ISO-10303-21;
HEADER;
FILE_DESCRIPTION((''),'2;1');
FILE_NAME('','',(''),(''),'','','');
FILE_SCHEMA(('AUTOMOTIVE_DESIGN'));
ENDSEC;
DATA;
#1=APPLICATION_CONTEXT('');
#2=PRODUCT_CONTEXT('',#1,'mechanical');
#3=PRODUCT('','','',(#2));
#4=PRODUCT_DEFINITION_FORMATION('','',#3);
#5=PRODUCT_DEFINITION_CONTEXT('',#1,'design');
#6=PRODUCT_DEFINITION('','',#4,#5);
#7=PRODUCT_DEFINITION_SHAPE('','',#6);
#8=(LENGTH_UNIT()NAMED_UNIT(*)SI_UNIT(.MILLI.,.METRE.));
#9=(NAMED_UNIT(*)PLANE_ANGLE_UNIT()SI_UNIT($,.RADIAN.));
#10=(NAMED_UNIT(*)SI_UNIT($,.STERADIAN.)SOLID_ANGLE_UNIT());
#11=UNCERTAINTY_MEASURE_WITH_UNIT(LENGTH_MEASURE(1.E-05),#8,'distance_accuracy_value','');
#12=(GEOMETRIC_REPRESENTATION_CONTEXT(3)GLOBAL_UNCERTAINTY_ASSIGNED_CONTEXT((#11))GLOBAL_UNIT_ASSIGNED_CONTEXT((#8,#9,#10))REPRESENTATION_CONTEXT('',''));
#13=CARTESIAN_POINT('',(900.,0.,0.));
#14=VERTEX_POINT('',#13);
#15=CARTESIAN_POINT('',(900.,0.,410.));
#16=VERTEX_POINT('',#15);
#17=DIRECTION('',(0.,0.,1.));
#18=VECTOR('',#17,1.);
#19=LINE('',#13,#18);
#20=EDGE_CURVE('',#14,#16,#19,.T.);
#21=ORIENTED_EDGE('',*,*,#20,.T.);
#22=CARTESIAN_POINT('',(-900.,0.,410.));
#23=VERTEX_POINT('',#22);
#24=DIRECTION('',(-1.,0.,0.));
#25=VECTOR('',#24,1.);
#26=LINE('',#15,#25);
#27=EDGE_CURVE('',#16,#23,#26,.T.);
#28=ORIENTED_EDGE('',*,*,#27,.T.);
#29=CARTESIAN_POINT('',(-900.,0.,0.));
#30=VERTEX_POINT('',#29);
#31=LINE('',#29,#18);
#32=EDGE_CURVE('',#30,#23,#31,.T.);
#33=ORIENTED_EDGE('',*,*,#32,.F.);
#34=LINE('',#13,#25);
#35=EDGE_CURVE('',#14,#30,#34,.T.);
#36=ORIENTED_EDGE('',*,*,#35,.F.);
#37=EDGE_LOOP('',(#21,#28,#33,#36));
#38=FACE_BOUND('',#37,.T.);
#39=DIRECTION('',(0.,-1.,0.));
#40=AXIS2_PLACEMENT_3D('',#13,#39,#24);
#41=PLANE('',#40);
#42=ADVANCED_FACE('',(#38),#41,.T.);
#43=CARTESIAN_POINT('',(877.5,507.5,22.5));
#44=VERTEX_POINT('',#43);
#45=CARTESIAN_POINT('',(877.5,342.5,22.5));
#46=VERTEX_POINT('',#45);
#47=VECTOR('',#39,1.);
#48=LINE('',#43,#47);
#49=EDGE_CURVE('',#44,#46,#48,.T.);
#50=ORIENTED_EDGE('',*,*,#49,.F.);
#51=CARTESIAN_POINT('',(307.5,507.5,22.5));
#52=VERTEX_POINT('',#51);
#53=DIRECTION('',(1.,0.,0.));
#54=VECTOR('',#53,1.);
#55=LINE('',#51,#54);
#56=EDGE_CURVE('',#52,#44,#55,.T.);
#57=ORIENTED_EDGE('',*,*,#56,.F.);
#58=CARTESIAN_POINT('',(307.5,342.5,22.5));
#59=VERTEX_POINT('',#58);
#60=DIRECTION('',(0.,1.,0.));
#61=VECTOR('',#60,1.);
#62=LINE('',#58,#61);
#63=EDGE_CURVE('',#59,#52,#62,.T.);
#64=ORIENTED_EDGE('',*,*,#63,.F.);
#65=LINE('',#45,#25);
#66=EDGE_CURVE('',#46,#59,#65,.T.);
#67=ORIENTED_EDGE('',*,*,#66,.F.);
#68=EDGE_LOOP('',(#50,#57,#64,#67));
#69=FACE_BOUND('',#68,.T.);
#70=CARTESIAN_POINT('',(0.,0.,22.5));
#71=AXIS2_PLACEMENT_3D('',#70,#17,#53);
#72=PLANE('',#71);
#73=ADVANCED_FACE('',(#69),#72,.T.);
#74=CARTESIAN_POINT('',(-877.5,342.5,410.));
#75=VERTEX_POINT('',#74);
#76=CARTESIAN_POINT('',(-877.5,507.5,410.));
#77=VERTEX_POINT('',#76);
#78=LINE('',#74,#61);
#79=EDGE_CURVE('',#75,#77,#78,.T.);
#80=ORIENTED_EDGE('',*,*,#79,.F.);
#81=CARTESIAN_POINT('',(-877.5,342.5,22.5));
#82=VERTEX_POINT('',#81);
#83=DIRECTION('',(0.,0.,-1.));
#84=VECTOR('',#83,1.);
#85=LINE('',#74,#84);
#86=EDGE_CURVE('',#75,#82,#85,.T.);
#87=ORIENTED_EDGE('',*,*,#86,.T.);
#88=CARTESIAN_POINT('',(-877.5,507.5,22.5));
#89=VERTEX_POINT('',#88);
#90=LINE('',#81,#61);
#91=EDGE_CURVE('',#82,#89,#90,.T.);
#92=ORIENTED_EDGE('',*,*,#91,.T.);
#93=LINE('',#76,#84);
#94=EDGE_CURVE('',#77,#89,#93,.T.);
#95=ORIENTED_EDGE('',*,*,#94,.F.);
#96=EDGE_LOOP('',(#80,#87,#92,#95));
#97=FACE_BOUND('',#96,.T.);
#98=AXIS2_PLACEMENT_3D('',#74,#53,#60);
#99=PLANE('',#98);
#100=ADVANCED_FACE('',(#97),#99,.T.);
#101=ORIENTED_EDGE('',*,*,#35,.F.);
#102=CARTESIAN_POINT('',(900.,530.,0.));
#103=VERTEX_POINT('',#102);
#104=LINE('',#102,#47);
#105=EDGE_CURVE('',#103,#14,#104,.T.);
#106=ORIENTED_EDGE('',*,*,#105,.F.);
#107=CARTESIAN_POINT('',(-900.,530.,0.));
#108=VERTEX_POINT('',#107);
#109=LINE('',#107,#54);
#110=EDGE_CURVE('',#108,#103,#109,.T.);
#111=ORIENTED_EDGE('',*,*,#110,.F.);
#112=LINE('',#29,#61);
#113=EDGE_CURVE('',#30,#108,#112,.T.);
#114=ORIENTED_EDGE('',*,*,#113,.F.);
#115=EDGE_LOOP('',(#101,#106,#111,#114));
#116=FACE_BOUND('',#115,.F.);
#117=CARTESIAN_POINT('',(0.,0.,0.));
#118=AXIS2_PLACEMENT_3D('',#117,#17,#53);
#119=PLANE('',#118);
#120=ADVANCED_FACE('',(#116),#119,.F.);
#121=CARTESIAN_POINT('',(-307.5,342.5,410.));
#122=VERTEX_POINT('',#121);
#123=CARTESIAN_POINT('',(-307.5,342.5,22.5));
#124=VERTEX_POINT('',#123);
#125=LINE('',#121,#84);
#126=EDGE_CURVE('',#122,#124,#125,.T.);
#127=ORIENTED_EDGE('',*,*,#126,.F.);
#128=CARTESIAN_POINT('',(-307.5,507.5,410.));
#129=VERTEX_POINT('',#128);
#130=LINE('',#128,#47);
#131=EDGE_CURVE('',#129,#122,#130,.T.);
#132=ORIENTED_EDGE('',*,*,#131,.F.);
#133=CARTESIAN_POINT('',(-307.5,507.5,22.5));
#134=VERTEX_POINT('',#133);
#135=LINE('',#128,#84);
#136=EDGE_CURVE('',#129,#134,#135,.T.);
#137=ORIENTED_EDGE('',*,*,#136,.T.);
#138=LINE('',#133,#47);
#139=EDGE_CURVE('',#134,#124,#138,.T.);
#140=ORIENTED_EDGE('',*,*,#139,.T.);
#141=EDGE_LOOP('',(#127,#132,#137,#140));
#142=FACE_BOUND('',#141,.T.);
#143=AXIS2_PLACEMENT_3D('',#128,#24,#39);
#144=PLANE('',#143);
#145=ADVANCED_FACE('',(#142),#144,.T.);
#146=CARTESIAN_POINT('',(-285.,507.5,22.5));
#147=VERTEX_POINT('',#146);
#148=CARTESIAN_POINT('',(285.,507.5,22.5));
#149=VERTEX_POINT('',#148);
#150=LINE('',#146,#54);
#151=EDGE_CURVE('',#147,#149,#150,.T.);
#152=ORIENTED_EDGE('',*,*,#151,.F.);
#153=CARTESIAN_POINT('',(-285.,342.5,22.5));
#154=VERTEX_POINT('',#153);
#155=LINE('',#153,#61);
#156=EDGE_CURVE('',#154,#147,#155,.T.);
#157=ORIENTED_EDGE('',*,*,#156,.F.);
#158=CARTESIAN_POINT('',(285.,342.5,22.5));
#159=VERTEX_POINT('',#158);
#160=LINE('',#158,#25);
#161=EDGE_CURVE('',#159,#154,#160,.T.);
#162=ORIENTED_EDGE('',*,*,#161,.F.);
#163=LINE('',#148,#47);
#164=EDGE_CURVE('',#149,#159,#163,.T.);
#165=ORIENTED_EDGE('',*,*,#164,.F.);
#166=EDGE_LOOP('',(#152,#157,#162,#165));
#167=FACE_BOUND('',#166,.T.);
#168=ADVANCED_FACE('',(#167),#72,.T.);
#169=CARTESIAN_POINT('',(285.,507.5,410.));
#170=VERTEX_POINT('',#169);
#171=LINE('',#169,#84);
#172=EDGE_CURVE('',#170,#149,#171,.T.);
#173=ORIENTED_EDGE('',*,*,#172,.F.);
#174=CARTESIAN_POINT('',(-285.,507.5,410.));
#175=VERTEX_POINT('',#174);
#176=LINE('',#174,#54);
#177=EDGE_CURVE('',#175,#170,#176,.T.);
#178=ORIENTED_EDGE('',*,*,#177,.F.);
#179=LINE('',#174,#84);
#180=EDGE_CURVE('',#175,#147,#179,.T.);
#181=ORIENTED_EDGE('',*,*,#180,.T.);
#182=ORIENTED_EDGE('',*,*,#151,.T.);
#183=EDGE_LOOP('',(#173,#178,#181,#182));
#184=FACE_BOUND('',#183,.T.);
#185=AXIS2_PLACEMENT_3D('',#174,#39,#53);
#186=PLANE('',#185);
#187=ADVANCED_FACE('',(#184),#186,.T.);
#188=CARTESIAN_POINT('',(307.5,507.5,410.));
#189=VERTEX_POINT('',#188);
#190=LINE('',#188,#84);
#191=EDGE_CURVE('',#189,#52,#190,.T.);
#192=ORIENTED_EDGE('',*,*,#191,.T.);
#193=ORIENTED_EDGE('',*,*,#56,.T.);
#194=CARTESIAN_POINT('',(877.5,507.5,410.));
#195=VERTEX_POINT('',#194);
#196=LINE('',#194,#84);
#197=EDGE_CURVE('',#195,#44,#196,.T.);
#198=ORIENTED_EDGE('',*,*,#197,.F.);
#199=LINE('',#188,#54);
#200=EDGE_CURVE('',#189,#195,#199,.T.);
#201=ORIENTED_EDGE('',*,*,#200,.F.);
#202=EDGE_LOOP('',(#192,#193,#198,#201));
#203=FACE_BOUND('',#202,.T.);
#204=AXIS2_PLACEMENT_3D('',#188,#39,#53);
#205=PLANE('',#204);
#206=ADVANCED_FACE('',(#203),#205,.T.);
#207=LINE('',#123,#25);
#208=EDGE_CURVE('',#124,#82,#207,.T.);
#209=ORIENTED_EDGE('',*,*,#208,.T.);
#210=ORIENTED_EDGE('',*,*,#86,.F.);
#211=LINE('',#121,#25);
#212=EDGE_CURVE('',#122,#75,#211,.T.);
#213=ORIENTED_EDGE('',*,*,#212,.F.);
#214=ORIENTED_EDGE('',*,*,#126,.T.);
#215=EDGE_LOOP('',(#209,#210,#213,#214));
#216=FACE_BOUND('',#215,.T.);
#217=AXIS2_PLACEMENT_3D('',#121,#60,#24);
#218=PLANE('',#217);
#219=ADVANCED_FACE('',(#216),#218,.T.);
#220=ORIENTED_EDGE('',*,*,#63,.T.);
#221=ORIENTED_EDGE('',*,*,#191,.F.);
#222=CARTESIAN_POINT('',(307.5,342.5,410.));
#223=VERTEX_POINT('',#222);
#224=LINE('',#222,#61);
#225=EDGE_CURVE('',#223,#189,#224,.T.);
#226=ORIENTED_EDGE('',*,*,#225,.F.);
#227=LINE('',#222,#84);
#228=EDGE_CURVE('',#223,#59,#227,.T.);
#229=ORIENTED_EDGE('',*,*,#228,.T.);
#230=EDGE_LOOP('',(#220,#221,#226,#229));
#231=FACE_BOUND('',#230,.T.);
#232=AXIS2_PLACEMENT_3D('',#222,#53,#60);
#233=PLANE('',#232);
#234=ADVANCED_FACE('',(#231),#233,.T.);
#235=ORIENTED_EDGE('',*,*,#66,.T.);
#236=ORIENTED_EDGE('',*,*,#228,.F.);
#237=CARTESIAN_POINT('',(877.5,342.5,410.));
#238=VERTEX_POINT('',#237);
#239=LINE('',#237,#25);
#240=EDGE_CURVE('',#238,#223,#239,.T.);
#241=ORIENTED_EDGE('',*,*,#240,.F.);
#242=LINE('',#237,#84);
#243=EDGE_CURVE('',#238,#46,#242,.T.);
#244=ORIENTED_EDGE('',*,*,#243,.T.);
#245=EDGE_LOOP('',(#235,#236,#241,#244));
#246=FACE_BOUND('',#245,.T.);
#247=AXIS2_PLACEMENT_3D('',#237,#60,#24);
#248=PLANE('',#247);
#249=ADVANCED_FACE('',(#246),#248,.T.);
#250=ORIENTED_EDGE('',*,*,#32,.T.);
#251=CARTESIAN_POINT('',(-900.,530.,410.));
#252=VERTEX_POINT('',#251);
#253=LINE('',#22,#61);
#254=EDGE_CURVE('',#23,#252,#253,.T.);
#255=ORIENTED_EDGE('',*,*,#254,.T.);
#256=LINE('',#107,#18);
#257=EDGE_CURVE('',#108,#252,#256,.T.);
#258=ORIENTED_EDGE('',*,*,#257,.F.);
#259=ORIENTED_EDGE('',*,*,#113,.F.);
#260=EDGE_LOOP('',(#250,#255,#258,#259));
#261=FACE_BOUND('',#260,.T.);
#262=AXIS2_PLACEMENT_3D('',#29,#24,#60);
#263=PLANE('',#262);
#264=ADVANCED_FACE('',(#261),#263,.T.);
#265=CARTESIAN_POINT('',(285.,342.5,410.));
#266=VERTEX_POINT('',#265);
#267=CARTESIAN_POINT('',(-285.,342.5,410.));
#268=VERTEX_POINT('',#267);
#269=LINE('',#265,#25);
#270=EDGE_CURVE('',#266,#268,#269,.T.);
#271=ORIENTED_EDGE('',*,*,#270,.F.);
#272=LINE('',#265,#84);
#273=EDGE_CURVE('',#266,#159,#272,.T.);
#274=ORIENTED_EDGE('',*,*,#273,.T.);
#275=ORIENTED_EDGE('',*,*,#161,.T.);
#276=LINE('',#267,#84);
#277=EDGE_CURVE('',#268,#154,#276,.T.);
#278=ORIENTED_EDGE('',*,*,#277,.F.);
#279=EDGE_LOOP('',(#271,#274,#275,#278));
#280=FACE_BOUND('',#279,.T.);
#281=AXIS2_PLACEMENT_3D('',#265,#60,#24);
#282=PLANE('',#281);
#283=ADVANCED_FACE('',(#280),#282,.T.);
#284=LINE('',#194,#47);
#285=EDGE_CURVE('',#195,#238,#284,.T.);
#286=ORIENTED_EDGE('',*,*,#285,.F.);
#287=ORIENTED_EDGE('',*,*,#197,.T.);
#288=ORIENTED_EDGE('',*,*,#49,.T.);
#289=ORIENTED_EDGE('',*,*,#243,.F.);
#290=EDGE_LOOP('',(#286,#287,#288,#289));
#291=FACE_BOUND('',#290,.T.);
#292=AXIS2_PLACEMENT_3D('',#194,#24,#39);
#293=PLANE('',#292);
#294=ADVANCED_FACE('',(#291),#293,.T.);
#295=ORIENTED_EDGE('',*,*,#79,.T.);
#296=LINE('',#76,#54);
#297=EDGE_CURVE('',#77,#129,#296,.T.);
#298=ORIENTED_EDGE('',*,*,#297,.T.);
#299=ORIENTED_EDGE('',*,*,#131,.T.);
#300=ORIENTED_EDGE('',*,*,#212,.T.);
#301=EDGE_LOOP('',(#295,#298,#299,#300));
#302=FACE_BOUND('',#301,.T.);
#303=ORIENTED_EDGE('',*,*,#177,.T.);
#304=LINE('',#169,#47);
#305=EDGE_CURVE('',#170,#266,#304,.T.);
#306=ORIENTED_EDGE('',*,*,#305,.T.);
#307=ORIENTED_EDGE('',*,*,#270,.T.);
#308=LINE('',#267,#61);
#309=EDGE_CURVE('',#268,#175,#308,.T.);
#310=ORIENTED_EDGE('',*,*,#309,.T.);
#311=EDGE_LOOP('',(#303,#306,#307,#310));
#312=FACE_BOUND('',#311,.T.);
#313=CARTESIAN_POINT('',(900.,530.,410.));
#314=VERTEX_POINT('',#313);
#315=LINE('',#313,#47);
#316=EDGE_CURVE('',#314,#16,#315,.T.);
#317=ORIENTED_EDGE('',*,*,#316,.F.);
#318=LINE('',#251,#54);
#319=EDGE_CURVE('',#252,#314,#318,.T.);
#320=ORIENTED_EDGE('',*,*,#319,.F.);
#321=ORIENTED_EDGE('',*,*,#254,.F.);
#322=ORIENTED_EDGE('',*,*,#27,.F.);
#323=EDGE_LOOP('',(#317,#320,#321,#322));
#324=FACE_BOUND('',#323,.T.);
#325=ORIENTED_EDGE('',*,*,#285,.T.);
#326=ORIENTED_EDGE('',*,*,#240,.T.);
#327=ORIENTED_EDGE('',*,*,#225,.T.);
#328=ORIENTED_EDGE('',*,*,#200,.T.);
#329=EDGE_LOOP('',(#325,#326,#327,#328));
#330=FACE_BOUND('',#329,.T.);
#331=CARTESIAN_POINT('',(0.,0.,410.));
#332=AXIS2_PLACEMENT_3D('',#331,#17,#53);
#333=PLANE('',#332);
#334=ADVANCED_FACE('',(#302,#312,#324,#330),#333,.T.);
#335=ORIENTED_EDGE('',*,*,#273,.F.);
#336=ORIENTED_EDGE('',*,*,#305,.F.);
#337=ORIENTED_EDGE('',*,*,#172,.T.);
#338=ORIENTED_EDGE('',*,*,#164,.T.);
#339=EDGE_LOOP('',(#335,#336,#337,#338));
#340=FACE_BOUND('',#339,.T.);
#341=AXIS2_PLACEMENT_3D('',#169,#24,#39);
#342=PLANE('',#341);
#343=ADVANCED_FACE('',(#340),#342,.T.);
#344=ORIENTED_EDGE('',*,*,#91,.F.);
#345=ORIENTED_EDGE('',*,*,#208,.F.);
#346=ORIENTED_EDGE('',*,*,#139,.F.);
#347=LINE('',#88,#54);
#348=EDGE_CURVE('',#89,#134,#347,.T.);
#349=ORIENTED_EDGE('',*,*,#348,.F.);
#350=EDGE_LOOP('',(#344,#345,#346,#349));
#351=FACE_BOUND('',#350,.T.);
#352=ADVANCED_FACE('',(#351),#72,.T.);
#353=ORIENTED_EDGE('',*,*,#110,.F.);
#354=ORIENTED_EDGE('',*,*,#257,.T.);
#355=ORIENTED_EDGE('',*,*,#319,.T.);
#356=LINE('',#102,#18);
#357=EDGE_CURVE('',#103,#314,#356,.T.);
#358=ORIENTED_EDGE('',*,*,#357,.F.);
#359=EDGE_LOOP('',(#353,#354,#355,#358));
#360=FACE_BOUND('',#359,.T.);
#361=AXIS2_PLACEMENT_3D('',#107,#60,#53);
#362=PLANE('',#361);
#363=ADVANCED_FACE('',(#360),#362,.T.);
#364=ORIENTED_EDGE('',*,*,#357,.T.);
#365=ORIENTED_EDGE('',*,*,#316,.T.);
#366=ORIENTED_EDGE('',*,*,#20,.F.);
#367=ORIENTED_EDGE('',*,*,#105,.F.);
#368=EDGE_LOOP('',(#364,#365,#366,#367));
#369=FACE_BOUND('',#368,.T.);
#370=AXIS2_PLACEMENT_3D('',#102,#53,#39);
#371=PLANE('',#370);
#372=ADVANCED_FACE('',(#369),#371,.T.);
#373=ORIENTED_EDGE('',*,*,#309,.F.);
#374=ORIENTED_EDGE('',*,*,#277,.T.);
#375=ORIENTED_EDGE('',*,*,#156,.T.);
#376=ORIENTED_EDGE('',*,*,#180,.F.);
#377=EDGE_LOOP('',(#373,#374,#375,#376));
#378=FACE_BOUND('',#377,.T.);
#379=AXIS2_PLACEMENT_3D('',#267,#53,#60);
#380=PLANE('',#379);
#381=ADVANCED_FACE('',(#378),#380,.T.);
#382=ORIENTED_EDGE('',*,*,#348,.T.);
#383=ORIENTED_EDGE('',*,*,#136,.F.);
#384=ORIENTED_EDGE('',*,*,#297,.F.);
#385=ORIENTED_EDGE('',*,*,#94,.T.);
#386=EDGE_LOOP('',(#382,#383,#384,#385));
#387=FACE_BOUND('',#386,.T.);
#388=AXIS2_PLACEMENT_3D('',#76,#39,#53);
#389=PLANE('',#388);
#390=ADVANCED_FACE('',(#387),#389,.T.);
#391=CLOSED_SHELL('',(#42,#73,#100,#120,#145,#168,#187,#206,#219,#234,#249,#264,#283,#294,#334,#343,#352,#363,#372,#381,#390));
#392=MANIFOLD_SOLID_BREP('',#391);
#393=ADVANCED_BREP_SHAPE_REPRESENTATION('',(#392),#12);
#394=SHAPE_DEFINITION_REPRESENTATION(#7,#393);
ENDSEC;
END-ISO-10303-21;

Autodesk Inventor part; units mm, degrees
ref_plane "YZ Plane" through (0, 0, 0) normal (1, 0, 0) x (0, 1, 0)
ref_plane "XZ Plane" through (0, 0, 0) normal (0, 1, 0) x (-1, 0, 0)
ref_plane "XY Plane" through (0, 0, 0) normal (0, 0, 1) x (1, 0, 0)
sketch "Sketch1" plane through (0, 0, 0) normal (0, 0, 1) x (1, 0, 0)
  line L0 (-900, 530) -> (900, 530)
  line L1 (900, 530) -> (900, 0)
  line L2 (900, 0) -> (-900, 0)
  line L3 (-900, 0) -> (-900, 530)
  point P0 (0, 0)
  point P1 (0, 0)
  dimension "d0" = 1800
  dimension "d1" = 530
extrude "Extrusion1" add sketch "Sketch1" along normal blind 410
sketch "Sketch2" plane through (0, 0, 410) normal (0, 0, 1) x (1, 0, 0)
  line L0 (-877.5, 507.5) -> (-307.5, 507.5)
  line L1 (-307.5, 507.5) -> (-307.5, 342.5)
  line L2 (-307.5, 342.5) -> (-877.5, 342.5)
  line L3 (-877.5, 342.5) -> (-877.5, 507.5)
  line L4 (-285, 507.5) -> (285, 507.5)
  line L5 (285, 507.5) -> (285, 342.5)
  line L6 (285, 342.5) -> (-285, 342.5)
  line L7 (-285, 342.5) -> (-285, 507.5)
  line L8 (307.5, 507.5) -> (877.5, 507.5)
  line L9 (877.5, 507.5) -> (877.5, 342.5)
  line L10 (877.5, 342.5) -> (307.5, 342.5)
  line L11 (307.5, 342.5) -> (307.5, 507.5)
  line L12 (-900, 0) -> (900, 0) projected
  line L13 (900, 0) -> (900, 530) projected
  line L14 (900, 530) -> (-900, 530) projected
  line L15 (-900, 530) -> (-900, 0) projected
  line L16 (-900, 530) -> (-877.5, 507.5) construction
  line L17 (877.5, 507.5) -> (900, 530) construction
  point P0 (0, 0)
  point P1 (0, 342.5)
  point P2 (0, 0)
  dimension "d5" = 570
  dimension "d6" = 165
  dimension "d7" = 22.5
  dimension "d8" = 22.5
extrude "Extrusion2" cut sketch "Sketch2" against normal blind 387.5 contours L0 L1 L2 L3 | L4 L5 L6 L7 | L8 L9 L10 L11
properties part number "Mobile TV"
